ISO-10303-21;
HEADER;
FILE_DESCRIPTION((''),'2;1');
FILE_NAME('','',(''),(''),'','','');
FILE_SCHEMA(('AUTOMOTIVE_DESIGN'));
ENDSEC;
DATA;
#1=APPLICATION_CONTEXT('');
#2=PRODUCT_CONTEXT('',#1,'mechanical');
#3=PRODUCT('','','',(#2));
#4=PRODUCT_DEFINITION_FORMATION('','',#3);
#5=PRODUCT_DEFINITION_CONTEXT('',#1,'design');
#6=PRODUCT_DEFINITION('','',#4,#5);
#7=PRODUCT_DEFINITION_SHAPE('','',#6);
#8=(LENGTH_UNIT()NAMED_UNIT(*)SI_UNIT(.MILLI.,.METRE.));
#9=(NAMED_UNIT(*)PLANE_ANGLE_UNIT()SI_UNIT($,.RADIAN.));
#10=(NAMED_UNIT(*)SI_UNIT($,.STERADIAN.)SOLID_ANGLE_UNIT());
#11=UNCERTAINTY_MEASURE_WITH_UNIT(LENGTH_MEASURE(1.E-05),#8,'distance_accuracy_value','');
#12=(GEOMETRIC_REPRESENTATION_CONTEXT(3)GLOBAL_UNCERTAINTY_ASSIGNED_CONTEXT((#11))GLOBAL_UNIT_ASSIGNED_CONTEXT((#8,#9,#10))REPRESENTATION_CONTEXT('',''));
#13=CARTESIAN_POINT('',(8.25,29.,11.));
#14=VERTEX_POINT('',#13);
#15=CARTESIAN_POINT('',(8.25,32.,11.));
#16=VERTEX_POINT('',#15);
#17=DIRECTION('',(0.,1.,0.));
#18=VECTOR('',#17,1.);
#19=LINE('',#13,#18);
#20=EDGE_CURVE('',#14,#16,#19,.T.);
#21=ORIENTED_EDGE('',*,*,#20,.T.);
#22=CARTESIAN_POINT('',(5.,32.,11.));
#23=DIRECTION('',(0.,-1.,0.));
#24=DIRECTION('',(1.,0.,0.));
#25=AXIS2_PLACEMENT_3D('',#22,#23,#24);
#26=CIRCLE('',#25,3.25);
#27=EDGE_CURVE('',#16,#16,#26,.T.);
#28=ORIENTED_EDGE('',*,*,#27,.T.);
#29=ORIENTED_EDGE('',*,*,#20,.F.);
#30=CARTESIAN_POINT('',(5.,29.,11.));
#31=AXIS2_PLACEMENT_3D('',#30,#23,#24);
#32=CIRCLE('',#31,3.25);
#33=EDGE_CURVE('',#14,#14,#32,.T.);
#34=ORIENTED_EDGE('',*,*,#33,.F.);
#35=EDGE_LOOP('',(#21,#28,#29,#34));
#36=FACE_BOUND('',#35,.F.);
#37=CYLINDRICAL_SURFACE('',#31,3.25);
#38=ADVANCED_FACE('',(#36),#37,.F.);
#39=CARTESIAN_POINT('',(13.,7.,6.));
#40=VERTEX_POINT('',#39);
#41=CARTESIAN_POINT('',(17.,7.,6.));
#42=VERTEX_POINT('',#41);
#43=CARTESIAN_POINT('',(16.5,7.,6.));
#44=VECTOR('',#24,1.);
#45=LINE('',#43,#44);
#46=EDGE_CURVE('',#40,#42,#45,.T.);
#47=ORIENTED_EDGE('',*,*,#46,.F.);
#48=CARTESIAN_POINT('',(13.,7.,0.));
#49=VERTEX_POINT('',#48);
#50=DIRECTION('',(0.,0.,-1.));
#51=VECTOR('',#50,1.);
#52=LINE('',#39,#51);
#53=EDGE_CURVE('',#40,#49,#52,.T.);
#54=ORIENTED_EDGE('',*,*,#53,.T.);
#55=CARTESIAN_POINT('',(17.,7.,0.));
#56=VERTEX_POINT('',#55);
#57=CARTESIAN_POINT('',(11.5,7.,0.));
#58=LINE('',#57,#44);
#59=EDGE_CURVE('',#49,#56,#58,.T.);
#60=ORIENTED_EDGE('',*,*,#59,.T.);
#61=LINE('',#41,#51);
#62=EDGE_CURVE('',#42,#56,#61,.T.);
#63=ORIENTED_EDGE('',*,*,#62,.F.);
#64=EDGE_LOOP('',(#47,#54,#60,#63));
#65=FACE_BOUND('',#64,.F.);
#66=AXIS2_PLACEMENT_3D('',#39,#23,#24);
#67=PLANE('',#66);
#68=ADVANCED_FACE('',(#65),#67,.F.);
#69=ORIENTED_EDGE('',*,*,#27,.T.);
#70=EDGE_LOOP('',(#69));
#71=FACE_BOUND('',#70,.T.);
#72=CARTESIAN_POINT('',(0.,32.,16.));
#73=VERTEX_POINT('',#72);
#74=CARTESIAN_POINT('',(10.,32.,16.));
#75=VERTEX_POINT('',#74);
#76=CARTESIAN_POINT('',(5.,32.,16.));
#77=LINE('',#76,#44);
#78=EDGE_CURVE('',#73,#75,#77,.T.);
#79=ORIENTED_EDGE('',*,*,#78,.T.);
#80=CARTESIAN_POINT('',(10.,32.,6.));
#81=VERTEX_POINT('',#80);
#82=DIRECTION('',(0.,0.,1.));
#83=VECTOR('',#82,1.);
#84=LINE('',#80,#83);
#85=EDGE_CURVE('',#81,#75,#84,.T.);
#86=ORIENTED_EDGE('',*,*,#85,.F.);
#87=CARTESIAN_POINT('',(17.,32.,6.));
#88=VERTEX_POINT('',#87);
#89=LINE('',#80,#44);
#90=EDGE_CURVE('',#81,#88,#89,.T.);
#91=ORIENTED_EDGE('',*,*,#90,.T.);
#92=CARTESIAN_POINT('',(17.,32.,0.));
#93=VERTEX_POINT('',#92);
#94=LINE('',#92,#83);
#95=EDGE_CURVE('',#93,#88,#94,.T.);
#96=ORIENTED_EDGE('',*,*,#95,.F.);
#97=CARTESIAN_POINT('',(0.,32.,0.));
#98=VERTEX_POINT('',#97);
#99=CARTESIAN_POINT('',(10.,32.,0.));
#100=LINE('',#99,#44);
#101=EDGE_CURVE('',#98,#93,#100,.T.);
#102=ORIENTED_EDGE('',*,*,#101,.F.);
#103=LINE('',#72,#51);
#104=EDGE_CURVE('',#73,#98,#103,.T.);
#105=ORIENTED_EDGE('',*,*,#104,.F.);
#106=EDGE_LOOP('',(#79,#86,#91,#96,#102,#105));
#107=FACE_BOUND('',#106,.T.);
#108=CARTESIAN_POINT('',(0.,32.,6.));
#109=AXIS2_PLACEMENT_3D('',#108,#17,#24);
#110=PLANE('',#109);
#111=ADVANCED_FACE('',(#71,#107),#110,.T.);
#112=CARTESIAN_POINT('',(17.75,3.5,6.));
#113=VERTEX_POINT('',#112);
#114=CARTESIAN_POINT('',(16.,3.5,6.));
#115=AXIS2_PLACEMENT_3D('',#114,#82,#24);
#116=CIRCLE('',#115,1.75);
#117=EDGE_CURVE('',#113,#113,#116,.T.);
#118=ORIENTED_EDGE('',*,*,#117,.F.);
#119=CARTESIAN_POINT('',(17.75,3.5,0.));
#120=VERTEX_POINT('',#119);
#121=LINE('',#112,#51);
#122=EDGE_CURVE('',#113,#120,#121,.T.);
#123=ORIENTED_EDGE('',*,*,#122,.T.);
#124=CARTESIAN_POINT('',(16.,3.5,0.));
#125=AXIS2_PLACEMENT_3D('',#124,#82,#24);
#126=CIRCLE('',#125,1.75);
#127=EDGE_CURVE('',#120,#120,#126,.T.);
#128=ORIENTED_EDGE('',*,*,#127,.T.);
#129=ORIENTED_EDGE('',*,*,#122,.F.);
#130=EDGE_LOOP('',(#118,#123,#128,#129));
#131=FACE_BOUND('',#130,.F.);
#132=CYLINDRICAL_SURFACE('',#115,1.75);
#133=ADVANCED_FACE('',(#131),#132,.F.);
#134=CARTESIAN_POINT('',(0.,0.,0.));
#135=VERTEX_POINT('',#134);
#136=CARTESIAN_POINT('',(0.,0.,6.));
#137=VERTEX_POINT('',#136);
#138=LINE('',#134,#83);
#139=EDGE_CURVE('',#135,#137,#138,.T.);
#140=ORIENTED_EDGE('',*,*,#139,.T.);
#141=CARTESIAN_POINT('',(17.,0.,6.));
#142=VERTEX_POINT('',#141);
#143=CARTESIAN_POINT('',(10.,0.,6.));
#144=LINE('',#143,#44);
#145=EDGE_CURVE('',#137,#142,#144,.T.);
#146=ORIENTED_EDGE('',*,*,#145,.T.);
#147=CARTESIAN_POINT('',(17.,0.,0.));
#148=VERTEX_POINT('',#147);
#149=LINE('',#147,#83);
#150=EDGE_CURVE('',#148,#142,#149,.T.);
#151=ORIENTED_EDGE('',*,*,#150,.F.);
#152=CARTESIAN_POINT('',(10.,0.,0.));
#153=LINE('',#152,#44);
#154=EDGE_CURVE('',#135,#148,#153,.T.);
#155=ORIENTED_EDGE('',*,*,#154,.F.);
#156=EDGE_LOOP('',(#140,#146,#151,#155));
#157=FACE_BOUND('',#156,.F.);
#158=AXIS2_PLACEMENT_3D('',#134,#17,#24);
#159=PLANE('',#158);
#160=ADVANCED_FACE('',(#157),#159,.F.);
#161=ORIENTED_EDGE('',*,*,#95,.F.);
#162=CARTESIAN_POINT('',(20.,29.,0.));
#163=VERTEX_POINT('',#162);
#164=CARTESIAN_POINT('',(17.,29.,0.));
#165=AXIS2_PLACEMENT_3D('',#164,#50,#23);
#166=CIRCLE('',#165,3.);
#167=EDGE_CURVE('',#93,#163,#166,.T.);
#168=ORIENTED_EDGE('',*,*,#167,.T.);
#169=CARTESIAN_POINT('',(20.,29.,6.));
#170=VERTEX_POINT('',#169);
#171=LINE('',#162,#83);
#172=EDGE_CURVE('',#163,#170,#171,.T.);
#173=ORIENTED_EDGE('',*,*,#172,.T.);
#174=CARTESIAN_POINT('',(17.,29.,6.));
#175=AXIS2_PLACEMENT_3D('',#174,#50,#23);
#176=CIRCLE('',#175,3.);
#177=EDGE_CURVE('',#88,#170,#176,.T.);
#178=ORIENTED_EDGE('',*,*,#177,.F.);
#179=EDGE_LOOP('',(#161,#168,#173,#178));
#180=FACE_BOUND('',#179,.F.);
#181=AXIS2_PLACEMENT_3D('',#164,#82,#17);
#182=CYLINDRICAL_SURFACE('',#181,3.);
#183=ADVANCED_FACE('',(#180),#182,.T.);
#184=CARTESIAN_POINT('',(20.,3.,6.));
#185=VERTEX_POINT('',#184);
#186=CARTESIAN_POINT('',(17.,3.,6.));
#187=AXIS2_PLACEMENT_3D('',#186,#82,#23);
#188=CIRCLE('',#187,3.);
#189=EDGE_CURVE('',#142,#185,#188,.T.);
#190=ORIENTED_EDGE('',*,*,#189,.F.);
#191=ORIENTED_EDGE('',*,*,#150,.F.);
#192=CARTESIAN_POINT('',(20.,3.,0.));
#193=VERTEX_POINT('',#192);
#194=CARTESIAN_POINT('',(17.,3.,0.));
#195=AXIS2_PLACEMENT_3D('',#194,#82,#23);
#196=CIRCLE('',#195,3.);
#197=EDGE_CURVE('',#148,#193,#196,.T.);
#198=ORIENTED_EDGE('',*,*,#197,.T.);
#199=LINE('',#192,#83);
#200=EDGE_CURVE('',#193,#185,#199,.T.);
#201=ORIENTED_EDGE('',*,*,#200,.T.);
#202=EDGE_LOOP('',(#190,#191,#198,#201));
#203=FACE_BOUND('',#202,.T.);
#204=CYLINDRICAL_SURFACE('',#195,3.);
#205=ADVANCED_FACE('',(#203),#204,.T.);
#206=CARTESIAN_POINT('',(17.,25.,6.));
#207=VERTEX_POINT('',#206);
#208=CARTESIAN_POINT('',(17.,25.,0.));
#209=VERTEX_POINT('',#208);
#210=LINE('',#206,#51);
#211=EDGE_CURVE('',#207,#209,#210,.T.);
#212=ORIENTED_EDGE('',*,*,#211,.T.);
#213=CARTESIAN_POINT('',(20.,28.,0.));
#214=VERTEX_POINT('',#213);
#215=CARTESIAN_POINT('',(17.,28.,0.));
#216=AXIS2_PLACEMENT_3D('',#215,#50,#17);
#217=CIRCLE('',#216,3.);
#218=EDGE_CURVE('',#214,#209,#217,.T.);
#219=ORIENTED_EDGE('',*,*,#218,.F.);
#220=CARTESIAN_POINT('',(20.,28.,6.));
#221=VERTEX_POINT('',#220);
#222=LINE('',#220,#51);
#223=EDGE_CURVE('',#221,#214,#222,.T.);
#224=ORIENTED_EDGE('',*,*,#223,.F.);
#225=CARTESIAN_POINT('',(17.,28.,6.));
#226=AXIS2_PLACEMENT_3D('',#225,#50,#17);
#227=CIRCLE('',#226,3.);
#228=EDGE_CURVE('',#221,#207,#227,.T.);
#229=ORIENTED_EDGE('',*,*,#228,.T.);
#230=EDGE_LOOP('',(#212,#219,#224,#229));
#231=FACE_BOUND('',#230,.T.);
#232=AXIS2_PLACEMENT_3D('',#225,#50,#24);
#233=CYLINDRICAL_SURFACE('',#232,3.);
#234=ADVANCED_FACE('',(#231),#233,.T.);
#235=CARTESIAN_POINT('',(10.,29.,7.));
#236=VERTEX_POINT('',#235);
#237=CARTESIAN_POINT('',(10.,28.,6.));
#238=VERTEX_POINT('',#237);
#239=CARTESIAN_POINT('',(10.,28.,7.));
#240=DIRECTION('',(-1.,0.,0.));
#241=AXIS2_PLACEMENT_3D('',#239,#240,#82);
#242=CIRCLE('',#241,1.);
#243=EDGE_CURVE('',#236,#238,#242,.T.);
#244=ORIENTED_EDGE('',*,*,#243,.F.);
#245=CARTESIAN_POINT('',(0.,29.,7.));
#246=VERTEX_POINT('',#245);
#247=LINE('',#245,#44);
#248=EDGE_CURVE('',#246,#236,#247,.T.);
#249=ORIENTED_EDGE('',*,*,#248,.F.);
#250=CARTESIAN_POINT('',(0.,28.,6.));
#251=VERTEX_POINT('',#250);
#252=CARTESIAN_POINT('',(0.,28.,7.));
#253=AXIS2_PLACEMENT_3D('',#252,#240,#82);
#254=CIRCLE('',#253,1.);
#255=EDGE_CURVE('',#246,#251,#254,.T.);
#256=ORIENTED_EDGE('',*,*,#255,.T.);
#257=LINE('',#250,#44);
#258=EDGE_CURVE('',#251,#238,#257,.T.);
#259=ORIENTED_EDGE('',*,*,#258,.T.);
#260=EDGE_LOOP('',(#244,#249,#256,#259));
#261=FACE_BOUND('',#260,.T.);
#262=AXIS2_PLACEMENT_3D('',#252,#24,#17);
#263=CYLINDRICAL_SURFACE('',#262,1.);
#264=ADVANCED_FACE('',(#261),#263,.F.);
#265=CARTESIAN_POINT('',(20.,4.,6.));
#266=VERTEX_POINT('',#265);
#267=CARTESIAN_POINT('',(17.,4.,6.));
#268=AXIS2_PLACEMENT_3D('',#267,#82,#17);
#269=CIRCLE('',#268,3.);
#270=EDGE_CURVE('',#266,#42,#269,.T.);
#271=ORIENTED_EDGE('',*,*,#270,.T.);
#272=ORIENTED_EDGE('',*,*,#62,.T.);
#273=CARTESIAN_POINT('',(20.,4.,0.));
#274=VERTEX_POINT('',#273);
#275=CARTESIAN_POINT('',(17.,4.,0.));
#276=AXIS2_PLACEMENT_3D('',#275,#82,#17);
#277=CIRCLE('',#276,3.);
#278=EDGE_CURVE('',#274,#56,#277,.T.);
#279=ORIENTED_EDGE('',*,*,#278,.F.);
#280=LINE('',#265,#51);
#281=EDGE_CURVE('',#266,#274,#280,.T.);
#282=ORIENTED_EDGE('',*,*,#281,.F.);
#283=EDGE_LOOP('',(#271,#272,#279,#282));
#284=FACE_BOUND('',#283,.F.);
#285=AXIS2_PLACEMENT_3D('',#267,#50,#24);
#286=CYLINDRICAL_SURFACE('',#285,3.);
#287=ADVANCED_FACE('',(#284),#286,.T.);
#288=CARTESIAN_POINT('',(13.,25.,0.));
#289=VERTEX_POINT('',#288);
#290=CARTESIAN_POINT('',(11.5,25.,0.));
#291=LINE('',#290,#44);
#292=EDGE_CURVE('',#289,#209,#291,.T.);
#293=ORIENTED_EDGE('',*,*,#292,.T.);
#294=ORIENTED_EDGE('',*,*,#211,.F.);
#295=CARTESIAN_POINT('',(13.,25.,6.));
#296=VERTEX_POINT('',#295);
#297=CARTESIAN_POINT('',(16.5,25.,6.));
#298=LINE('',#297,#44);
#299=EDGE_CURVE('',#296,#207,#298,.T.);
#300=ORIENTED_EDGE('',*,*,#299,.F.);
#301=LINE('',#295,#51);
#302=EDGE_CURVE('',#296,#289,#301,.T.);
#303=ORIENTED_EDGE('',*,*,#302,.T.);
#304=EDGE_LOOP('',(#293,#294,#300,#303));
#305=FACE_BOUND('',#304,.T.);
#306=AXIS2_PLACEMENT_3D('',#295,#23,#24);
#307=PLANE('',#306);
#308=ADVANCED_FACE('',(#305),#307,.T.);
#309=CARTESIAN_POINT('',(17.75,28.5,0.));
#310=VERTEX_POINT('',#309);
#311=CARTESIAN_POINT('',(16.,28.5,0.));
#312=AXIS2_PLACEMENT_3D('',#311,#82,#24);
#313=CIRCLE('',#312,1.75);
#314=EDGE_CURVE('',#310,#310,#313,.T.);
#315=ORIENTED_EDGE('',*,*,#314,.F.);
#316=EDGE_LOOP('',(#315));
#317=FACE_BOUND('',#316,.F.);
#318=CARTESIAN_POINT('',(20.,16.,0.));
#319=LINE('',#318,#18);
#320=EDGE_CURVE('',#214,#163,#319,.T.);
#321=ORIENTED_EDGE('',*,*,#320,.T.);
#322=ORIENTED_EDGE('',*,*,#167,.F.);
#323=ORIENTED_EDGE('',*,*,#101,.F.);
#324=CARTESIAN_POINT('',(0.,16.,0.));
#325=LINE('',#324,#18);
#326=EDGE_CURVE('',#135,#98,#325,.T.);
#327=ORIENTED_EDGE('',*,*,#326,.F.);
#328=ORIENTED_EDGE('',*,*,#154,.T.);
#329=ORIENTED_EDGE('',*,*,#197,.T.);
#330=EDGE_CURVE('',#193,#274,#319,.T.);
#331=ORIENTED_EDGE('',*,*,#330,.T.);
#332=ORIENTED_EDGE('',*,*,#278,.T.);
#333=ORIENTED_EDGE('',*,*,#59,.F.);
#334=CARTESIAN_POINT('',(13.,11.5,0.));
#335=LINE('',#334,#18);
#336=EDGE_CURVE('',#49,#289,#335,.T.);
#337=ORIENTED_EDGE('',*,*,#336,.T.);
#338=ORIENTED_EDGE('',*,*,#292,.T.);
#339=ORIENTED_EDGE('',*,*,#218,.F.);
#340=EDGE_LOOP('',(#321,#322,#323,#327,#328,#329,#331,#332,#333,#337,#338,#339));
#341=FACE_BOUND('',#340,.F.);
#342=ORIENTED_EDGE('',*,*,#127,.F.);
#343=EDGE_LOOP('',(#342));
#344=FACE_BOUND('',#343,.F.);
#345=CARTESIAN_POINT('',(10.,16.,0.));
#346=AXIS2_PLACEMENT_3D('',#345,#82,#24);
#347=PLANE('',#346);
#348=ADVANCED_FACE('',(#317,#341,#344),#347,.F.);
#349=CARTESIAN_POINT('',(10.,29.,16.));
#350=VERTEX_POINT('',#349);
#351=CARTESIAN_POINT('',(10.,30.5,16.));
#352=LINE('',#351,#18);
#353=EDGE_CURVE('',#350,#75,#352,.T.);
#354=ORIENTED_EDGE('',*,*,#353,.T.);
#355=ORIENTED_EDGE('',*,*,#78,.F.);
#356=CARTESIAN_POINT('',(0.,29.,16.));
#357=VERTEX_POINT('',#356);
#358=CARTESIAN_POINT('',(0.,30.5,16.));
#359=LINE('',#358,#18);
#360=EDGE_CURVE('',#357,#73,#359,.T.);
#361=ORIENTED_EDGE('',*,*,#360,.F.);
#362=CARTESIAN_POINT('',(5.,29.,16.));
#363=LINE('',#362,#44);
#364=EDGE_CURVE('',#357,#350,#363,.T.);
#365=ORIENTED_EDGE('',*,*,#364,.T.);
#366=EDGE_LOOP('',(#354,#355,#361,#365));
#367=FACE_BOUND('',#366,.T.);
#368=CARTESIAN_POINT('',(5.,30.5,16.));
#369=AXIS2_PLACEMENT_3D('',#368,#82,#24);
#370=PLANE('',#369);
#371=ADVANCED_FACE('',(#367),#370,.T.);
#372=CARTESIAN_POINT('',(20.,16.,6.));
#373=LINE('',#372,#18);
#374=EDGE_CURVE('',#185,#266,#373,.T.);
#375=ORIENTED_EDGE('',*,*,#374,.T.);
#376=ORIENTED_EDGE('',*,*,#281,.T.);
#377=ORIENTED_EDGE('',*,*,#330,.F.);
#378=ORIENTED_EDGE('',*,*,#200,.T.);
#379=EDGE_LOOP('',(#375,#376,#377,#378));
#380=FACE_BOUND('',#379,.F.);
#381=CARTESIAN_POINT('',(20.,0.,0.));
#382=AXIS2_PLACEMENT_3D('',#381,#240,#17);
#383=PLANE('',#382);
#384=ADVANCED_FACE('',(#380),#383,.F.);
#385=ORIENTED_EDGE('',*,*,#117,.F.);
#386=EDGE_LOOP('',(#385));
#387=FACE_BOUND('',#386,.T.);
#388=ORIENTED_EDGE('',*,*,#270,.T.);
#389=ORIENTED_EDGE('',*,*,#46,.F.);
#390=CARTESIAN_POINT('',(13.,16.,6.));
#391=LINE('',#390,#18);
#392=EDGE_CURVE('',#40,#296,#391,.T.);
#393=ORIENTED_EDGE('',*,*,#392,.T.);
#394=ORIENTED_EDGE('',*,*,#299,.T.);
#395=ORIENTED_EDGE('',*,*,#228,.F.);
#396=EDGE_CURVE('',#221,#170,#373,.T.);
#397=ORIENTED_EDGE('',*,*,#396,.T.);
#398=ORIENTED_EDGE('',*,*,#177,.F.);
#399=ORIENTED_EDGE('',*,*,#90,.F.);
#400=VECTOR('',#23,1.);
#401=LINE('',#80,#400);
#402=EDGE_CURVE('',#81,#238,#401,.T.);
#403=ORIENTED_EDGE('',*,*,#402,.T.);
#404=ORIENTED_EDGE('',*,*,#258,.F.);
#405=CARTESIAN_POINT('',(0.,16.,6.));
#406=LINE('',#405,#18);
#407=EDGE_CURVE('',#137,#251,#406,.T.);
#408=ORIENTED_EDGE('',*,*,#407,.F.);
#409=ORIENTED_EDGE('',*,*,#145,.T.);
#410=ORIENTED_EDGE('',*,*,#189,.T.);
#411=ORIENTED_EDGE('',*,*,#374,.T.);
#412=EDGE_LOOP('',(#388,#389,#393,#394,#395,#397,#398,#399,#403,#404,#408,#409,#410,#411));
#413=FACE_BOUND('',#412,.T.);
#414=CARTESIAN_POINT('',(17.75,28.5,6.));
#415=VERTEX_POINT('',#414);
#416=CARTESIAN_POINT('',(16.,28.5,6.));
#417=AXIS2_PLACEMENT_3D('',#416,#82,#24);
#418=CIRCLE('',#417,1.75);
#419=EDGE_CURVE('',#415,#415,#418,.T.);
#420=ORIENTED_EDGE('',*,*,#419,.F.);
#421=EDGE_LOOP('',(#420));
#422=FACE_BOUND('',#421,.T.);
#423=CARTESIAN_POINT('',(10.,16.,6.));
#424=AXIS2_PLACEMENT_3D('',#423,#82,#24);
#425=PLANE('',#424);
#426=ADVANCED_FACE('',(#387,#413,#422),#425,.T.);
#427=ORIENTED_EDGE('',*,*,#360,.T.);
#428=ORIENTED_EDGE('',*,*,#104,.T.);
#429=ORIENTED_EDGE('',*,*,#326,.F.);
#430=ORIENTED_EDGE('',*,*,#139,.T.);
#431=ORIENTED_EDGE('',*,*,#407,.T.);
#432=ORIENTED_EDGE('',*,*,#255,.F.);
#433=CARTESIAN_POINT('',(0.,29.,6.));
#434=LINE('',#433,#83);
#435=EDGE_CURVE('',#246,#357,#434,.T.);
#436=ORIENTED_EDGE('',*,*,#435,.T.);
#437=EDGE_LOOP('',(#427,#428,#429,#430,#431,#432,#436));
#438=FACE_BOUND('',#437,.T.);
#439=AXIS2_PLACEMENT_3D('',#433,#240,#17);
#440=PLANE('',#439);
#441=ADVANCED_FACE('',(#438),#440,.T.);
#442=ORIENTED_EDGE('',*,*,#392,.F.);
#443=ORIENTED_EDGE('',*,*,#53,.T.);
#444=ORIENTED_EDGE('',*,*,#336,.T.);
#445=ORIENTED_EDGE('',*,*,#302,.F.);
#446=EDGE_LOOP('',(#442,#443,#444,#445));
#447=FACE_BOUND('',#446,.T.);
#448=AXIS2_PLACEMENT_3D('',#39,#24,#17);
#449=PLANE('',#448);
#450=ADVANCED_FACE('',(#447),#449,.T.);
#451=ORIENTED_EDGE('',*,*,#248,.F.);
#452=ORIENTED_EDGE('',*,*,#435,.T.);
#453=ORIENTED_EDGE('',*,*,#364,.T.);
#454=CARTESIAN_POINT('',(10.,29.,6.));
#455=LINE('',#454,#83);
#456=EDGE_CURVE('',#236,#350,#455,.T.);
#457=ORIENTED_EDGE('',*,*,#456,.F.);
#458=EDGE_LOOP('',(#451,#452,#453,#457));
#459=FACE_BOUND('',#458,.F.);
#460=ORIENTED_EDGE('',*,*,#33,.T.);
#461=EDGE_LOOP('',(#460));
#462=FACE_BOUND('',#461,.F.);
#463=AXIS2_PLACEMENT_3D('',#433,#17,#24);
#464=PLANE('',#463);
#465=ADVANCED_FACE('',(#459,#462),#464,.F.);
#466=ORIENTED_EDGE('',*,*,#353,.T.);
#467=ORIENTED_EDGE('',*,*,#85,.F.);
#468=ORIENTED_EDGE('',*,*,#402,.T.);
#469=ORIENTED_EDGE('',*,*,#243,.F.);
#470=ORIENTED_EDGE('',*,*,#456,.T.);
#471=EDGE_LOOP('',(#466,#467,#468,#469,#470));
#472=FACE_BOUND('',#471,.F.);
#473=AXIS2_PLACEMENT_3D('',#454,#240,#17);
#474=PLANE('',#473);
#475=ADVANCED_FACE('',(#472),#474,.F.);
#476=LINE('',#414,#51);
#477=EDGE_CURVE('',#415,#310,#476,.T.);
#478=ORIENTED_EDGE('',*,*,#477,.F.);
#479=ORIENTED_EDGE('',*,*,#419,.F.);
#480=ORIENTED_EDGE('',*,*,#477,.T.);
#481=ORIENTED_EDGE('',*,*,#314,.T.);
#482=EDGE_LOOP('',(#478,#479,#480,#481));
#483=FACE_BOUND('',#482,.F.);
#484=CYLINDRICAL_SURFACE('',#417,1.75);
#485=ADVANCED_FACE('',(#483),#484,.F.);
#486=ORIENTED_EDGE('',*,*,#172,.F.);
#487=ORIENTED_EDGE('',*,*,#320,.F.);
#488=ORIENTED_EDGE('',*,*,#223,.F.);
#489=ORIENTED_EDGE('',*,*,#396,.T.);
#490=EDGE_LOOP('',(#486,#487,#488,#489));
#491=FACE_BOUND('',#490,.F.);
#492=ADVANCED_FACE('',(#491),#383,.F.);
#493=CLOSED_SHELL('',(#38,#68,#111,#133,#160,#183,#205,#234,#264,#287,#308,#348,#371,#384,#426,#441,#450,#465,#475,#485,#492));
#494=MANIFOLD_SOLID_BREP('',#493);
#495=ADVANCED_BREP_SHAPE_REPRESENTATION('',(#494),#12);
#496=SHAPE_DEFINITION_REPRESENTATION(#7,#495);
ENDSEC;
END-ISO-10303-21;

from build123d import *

# Parameters (mm, degrees)
SKETCH_W        = 20
SKETCH_H        = 32
PAD_DEPTH       = 6
SKETCH001_R     = 1.75
POCKET_DEPTH    = 6.001
SKETCH002_W     = 7
SKETCH002_H     = 18
POCKET001_DEPTH = 6.001
FILLET_R        = 3
SKETCH003_W     = 10
SKETCH003_H     = 3
PAD001_DEPTH    = 10
SKETCH004_R     = 3.25
POCKET002_DEPTH = 3.001
FILLET001_R     = 1


with BuildPart() as part:
    # Sketch → Pad (new body)
    with BuildSketch(Plane.XY):
        with Locations((10, 16)):
            Rectangle(SKETCH_W, SKETCH_H)
    extrude(amount=PAD_DEPTH)

    # Sketch001 (on Face6 of Pad) → Pocket (cut, through all)
    with BuildSketch(Plane.XY.offset(6)):
        with Locations((16, 28.5)):
            Circle(SKETCH001_R)
        with Locations((16, 3.5)):
            Circle(SKETCH001_R)
    extrude(amount=-POCKET_DEPTH, mode=Mode.SUBTRACT)

    # Sketch002 (on Face5 of Pocket) → Pocket001 (cut, through all)
    with BuildSketch(Plane.XY.offset(6)):
        with Locations((16.5, 16)):
            Rectangle(SKETCH002_W, SKETCH002_H)
    extrude(amount=-POCKET001_DEPTH, mode=Mode.SUBTRACT)

    # Fillet
    fillet_edges = [part.edges().sort_by_distance(p)[0] for p in [
        (20, 32, 3),
        (20, 25, 3),
        (20, 7, 3),
        (20, 0, 3),
    ]]
    fillet(fillet_edges, radius=FILLET_R)

    # Sketch003 (on Face5 of Fillet) → Pad001 (join)
    with BuildSketch(Plane.XY.offset(6)):
        with Locations((5, 30.5)):
            Rectangle(SKETCH003_W, SKETCH003_H)
    extrude(amount=PAD001_DEPTH)

    # Sketch004 (on Face18 of Pad001) → Pocket002 (cut, through all)
    with BuildSketch(Plane.XZ.offset(-29)):
        with Locations((5, 11)):
            Circle(SKETCH004_R)
    extrude(amount=-POCKET002_DEPTH, mode=Mode.SUBTRACT)

    # Fillet001
    fillet001_edges = [part.edges().sort_by_distance(p)[0] for p in [
        (5, 29, 6),
    ]]
    fillet(fillet001_edges, radius=FILLET001_R)


solid = part.part
